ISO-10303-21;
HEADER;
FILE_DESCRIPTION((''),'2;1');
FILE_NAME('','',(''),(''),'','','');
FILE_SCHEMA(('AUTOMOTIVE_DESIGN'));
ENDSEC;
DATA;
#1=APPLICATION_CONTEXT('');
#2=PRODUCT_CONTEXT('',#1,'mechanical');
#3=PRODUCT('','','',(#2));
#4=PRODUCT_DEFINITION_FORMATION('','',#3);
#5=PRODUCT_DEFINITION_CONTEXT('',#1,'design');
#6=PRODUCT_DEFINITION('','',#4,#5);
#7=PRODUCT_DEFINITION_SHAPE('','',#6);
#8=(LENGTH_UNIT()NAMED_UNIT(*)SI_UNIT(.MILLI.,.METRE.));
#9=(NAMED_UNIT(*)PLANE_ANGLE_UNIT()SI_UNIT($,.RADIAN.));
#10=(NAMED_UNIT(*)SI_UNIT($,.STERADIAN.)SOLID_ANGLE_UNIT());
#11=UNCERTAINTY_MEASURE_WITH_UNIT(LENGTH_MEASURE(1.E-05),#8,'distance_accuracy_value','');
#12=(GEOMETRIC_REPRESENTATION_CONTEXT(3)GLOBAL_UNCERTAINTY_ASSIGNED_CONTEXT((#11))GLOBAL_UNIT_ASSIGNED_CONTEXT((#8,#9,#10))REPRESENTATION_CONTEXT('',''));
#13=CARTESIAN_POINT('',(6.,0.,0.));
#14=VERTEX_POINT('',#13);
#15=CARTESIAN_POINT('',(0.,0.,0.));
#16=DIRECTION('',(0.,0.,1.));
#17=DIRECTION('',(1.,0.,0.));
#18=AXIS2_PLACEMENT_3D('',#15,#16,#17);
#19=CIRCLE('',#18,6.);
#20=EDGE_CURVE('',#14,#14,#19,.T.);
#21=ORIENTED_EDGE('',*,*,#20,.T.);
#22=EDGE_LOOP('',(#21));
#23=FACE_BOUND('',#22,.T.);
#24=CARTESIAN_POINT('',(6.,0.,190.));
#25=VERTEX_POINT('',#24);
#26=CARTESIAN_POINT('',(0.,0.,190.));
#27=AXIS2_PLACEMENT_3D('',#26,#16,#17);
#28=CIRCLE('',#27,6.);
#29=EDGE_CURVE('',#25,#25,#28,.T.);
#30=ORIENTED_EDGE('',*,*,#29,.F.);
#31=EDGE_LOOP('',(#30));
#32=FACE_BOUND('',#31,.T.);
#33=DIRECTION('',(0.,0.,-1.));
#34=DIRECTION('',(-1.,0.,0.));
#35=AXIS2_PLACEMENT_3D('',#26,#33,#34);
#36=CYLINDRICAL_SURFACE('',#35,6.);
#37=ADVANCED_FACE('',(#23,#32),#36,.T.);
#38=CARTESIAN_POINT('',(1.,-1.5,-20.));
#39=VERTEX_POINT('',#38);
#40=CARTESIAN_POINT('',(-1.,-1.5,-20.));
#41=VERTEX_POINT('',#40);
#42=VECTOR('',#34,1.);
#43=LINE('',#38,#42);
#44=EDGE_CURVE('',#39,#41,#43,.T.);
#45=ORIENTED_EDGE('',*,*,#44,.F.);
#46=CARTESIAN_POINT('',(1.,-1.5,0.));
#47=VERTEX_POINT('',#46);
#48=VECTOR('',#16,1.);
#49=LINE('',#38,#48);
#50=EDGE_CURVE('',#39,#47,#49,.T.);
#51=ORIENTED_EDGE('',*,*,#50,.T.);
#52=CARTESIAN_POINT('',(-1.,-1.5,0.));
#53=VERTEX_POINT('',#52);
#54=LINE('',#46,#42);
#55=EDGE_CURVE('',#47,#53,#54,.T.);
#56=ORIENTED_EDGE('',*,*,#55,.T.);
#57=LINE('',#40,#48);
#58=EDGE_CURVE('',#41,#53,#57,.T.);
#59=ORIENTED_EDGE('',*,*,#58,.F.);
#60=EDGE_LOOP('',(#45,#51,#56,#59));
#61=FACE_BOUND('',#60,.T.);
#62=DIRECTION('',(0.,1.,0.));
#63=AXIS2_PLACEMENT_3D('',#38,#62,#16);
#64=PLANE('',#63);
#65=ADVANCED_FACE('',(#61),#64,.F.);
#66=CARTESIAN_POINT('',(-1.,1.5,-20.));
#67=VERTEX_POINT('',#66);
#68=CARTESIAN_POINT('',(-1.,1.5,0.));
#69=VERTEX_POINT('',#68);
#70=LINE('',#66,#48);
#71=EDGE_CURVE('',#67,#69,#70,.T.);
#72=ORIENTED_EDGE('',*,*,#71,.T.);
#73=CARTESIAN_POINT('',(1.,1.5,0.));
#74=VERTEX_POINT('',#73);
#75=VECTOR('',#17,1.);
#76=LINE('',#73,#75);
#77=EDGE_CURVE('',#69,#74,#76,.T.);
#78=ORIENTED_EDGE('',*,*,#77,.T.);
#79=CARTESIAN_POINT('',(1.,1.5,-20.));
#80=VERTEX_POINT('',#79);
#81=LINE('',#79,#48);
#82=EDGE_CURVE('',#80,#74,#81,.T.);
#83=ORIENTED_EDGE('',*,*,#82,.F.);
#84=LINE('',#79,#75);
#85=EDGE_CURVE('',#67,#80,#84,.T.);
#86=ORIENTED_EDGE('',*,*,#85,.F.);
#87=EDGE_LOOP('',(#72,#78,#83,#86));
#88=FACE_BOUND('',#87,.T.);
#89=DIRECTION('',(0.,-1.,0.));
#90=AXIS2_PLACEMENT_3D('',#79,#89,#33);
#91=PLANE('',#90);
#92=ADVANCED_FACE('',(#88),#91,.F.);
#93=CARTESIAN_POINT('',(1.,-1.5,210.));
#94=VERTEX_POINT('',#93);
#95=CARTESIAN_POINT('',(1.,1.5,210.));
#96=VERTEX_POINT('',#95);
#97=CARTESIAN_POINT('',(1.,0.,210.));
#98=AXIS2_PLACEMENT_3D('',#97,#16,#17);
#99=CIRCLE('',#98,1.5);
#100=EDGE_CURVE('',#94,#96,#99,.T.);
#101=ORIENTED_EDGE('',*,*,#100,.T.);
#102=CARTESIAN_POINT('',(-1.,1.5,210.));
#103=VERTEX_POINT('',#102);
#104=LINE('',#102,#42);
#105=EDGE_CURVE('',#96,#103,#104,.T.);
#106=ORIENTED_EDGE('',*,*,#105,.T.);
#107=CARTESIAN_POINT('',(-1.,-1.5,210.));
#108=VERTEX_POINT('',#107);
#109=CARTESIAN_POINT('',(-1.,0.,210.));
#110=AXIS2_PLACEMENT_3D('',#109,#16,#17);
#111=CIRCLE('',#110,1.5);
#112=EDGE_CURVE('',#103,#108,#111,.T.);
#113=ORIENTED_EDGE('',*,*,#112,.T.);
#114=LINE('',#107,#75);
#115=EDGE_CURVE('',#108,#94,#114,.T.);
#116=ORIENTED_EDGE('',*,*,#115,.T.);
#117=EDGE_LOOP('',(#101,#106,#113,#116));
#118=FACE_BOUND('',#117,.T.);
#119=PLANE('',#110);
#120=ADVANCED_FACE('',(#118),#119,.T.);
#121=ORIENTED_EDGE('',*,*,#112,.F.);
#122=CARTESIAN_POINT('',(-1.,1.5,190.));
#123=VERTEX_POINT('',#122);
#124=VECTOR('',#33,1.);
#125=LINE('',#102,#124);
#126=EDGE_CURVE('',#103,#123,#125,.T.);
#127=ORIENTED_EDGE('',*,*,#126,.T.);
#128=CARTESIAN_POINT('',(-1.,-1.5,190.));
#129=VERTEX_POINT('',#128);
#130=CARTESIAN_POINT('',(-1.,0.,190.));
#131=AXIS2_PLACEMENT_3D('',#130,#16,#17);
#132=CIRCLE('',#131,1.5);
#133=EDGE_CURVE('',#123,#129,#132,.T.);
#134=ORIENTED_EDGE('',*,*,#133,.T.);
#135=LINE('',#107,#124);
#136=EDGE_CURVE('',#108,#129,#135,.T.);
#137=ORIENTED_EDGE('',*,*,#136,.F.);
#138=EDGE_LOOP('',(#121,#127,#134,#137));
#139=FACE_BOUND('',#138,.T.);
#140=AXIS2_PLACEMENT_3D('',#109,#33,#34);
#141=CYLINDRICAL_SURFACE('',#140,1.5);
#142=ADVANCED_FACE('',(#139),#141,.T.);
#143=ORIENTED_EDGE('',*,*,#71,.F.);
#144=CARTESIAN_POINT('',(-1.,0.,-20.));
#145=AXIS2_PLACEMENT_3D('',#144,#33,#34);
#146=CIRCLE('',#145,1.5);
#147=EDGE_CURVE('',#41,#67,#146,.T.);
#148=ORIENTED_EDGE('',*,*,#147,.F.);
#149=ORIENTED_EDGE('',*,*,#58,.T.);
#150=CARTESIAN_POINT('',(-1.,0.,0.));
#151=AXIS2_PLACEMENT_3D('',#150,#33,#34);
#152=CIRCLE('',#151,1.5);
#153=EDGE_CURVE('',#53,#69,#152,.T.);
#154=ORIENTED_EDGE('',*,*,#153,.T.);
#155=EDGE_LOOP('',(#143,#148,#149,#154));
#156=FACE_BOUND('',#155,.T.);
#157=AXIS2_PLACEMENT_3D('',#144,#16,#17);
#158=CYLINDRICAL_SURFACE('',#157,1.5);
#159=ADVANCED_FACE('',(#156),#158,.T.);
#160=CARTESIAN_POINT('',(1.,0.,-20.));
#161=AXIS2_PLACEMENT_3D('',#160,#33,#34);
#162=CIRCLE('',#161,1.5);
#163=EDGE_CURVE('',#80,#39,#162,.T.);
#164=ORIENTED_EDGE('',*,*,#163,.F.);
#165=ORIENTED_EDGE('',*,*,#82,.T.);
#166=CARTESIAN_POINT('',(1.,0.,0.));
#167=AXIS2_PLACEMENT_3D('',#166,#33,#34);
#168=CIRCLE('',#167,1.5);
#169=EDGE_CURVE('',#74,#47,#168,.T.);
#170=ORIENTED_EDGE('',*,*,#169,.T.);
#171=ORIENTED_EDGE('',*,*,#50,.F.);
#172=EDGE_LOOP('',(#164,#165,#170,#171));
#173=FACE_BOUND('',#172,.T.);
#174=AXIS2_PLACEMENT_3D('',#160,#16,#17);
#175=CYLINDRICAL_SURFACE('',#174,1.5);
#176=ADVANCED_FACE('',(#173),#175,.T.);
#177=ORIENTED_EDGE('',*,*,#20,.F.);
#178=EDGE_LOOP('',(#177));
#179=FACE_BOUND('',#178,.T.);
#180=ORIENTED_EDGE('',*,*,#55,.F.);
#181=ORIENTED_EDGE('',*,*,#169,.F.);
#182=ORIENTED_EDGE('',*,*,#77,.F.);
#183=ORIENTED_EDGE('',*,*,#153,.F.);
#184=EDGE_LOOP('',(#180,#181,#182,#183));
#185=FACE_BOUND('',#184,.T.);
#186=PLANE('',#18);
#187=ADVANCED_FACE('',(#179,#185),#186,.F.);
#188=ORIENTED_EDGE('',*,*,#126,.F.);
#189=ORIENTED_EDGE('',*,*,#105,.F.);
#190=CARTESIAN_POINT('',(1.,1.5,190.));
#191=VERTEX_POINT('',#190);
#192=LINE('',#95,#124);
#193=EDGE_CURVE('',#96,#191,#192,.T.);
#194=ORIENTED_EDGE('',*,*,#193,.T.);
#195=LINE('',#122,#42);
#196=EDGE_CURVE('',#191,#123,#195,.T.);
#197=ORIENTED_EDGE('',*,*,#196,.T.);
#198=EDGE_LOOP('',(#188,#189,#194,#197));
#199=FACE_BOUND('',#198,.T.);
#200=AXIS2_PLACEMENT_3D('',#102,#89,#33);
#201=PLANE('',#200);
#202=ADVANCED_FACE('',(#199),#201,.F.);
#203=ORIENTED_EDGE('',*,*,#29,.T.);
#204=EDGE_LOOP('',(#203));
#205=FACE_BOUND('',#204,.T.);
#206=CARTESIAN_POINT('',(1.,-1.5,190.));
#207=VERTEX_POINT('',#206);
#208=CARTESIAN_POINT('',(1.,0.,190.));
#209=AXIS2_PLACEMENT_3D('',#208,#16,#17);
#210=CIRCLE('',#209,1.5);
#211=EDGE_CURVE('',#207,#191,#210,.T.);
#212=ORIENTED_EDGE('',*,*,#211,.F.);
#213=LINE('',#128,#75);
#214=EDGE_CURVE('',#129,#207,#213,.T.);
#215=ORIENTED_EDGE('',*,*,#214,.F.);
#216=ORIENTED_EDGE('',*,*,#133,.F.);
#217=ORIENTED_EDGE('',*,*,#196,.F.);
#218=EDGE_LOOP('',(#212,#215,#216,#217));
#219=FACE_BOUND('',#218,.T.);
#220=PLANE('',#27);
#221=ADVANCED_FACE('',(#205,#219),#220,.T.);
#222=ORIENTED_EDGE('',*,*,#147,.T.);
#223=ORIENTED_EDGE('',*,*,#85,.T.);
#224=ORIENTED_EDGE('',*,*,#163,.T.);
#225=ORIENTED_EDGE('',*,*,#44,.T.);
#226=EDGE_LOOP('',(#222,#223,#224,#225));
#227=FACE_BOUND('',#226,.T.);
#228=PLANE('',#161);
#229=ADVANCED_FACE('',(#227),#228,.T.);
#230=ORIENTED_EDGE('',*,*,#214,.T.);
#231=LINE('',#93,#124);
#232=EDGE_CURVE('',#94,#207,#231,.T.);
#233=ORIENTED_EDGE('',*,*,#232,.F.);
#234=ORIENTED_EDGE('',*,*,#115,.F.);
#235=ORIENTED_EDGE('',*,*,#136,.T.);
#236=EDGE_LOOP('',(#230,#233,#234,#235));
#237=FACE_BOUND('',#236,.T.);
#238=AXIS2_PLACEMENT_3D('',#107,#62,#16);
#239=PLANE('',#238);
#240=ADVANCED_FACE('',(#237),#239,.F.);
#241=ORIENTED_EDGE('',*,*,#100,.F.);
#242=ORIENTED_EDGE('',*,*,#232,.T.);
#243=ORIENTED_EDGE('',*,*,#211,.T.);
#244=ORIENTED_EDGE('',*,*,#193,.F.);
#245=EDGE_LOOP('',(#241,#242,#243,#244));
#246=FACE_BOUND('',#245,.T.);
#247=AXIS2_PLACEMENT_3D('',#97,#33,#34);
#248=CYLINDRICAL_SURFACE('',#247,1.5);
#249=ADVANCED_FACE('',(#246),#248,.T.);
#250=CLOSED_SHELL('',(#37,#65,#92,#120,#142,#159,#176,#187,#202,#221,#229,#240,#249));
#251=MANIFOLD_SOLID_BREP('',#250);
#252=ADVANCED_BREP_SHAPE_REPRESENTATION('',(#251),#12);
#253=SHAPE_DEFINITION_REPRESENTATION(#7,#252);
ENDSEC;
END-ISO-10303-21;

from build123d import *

# Parameters (mm, degrees)
ESQUISSE1_R        = 6
BOSS_EXTRU_1_DEPTH = 190
BOSS_EXTRU_2_DEPTH = 20
BOSS_EXTRU_3_START = 20
BOSS_EXTRU_3_DEPTH = 20


with BuildPart() as part:
    # Esquisse1 → Boss.-Extru.1 (new body)
    with BuildSketch(Plane.XY):
        Circle(ESQUISSE1_R)
    extrude(amount=BOSS_EXTRU_1_DEPTH)

    # Esquisse2 → Boss.-Extru.2 (add)
    with BuildSketch(Plane.XY.offset(190)):
        with BuildLine():
            Line((-1, 1.5), (1, 1.5))
            ThreePointArc((1, 1.5), (2.5, 0), (1, -1.5))
            Line((1, -1.5), (-1, -1.5))
            ThreePointArc((-1, -1.5), (-2.5, 0), (-1, 1.5))
        make_face()
    extrude(amount=BOSS_EXTRU_2_DEPTH)

    # Esquisse3 → Boss.-Extru.3 (add)
    with BuildSketch(Plane(origin=(0, 0, 0), x_dir=(-1, 0, 0), z_dir=(0, 0, -1)).offset(BOSS_EXTRU_3_START)):
        with BuildLine():
            Line((-1, 1.5), (1, 1.5))
            ThreePointArc((1, 1.5), (2.5, 0), (1, -1.5))
            Line((1, -1.5), (-1, -1.5))
            ThreePointArc((-1, -1.5), (-2.5, 0), (-1, 1.5))
        make_face()
    extrude(amount=-BOSS_EXTRU_3_DEPTH)


solid = part.part
